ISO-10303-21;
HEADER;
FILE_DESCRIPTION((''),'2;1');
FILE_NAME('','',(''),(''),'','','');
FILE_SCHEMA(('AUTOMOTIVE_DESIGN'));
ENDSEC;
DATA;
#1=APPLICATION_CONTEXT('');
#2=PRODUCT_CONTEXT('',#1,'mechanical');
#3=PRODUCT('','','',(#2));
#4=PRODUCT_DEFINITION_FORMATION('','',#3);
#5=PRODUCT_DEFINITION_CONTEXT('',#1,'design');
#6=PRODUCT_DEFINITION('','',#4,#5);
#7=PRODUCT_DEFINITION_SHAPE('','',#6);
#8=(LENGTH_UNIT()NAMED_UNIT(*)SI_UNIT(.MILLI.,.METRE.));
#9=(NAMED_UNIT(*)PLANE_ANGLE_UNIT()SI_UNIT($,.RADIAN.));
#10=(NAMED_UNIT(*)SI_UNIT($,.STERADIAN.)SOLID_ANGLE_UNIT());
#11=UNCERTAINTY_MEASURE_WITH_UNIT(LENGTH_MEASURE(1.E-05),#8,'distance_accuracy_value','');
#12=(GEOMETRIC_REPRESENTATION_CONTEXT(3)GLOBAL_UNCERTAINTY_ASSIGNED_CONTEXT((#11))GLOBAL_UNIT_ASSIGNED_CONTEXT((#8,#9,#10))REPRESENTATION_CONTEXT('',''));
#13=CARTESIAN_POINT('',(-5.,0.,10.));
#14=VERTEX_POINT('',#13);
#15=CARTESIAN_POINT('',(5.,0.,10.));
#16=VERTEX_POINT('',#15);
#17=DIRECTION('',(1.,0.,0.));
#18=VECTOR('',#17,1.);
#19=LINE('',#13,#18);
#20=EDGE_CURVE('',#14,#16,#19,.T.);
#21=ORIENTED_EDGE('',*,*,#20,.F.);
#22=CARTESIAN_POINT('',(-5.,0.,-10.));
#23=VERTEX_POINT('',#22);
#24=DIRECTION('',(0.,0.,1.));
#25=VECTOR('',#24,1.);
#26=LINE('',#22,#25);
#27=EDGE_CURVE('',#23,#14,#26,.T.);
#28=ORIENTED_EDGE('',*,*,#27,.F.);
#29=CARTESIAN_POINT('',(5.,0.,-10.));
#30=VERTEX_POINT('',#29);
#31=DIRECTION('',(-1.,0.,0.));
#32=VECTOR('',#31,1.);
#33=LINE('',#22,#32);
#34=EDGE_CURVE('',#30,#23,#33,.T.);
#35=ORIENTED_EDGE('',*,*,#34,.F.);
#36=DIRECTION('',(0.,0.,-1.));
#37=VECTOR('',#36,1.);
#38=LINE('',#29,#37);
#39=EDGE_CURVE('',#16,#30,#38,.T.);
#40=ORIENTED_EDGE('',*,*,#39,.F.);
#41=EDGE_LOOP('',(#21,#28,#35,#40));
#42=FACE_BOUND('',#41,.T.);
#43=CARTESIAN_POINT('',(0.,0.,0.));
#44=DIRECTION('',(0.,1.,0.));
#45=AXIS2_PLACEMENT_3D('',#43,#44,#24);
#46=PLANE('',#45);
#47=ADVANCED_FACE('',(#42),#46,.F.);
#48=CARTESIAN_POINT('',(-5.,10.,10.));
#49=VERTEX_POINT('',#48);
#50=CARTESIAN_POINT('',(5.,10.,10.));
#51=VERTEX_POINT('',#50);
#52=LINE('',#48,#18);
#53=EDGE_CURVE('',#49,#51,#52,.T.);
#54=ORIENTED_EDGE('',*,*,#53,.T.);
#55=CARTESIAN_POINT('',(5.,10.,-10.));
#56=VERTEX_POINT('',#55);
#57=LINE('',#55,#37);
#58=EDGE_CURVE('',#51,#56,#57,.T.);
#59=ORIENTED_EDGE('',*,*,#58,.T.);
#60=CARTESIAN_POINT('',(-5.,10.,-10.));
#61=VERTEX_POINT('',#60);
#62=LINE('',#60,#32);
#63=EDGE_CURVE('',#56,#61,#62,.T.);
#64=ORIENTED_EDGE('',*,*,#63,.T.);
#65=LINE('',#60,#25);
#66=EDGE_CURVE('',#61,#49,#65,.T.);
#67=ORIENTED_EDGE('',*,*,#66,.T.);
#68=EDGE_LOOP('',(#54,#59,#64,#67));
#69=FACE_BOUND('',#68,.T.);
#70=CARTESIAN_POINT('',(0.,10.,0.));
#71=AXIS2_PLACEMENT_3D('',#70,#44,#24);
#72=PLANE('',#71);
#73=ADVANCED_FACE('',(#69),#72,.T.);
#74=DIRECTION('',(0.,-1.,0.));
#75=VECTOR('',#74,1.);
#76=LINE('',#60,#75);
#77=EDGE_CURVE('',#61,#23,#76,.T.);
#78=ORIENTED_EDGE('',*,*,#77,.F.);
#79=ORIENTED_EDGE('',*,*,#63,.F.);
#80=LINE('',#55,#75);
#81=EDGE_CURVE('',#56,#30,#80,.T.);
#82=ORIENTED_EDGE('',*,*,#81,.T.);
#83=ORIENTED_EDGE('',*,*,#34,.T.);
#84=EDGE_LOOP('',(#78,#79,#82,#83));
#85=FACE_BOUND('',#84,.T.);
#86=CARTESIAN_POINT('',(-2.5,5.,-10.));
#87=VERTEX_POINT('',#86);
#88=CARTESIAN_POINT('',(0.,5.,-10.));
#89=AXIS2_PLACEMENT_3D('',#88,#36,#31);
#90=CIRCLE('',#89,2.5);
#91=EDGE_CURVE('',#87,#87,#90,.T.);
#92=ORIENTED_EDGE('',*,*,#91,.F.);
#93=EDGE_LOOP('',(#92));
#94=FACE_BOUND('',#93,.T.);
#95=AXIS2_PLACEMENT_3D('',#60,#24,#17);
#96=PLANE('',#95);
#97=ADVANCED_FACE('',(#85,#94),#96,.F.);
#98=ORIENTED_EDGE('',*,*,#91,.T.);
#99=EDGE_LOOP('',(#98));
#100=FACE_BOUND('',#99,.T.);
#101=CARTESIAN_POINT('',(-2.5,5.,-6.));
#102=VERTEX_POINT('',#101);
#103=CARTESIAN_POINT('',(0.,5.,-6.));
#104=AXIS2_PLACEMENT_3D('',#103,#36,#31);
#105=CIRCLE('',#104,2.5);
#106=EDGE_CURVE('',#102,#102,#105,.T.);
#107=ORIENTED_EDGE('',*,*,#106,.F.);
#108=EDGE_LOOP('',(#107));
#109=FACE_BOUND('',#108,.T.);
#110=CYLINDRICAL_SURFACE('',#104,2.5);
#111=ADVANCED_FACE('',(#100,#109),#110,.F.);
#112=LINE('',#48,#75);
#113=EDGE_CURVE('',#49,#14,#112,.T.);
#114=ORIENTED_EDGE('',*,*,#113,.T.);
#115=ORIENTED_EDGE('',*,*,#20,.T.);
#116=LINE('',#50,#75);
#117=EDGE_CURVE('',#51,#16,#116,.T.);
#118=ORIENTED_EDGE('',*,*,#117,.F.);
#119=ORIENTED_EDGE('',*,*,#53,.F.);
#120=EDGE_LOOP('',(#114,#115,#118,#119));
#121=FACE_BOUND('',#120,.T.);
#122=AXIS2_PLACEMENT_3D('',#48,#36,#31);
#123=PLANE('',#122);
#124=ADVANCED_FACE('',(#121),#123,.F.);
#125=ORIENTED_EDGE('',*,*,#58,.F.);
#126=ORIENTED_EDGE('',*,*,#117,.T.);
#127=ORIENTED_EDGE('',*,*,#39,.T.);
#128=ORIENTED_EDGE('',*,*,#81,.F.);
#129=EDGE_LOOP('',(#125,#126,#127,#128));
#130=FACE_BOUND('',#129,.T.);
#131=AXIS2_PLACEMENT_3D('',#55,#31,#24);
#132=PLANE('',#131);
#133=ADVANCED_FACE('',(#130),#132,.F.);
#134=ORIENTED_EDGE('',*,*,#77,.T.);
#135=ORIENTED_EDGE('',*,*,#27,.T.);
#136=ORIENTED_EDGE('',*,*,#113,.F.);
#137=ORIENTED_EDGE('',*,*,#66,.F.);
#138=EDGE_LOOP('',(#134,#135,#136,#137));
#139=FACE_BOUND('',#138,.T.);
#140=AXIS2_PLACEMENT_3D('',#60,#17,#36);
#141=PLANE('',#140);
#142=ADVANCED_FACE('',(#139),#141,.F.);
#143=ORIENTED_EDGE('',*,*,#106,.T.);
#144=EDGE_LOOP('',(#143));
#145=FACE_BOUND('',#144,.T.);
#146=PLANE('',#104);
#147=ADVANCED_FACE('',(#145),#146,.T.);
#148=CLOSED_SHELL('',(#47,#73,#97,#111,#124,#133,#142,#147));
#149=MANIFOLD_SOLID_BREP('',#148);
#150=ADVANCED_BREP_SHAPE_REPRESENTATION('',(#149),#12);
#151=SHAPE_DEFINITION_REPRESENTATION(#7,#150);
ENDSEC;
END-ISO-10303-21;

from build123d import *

# Parameters (mm, degrees)
SKETCH1_W           = 10
SKETCH1_H           = 20
BOSS_EXTRUDE1_DEPTH = 10
SKETCH2_R           = 2.5
CUT_EXTRUDE1_DEPTH  = 4


with BuildPart() as part:
    # Sketch1 → Boss-Extrude1 (new body)
    with BuildSketch(Plane(origin=(0, 0, 0), x_dir=(1, 0, 0), z_dir=(0, 1, 0))):
        Rectangle(SKETCH1_W, SKETCH1_H)
    extrude(amount=BOSS_EXTRUDE1_DEPTH)

    # Sketch2 → Cut-Extrude1 (cut)
    with BuildSketch(Plane(origin=(0, 0, -10), x_dir=(-1, 0, 0), z_dir=(0, 0, -1))):
        with Locations((0, 5)):
            Circle(SKETCH2_R)
    extrude(amount=-CUT_EXTRUDE1_DEPTH, mode=Mode.SUBTRACT)


solid = part.part
